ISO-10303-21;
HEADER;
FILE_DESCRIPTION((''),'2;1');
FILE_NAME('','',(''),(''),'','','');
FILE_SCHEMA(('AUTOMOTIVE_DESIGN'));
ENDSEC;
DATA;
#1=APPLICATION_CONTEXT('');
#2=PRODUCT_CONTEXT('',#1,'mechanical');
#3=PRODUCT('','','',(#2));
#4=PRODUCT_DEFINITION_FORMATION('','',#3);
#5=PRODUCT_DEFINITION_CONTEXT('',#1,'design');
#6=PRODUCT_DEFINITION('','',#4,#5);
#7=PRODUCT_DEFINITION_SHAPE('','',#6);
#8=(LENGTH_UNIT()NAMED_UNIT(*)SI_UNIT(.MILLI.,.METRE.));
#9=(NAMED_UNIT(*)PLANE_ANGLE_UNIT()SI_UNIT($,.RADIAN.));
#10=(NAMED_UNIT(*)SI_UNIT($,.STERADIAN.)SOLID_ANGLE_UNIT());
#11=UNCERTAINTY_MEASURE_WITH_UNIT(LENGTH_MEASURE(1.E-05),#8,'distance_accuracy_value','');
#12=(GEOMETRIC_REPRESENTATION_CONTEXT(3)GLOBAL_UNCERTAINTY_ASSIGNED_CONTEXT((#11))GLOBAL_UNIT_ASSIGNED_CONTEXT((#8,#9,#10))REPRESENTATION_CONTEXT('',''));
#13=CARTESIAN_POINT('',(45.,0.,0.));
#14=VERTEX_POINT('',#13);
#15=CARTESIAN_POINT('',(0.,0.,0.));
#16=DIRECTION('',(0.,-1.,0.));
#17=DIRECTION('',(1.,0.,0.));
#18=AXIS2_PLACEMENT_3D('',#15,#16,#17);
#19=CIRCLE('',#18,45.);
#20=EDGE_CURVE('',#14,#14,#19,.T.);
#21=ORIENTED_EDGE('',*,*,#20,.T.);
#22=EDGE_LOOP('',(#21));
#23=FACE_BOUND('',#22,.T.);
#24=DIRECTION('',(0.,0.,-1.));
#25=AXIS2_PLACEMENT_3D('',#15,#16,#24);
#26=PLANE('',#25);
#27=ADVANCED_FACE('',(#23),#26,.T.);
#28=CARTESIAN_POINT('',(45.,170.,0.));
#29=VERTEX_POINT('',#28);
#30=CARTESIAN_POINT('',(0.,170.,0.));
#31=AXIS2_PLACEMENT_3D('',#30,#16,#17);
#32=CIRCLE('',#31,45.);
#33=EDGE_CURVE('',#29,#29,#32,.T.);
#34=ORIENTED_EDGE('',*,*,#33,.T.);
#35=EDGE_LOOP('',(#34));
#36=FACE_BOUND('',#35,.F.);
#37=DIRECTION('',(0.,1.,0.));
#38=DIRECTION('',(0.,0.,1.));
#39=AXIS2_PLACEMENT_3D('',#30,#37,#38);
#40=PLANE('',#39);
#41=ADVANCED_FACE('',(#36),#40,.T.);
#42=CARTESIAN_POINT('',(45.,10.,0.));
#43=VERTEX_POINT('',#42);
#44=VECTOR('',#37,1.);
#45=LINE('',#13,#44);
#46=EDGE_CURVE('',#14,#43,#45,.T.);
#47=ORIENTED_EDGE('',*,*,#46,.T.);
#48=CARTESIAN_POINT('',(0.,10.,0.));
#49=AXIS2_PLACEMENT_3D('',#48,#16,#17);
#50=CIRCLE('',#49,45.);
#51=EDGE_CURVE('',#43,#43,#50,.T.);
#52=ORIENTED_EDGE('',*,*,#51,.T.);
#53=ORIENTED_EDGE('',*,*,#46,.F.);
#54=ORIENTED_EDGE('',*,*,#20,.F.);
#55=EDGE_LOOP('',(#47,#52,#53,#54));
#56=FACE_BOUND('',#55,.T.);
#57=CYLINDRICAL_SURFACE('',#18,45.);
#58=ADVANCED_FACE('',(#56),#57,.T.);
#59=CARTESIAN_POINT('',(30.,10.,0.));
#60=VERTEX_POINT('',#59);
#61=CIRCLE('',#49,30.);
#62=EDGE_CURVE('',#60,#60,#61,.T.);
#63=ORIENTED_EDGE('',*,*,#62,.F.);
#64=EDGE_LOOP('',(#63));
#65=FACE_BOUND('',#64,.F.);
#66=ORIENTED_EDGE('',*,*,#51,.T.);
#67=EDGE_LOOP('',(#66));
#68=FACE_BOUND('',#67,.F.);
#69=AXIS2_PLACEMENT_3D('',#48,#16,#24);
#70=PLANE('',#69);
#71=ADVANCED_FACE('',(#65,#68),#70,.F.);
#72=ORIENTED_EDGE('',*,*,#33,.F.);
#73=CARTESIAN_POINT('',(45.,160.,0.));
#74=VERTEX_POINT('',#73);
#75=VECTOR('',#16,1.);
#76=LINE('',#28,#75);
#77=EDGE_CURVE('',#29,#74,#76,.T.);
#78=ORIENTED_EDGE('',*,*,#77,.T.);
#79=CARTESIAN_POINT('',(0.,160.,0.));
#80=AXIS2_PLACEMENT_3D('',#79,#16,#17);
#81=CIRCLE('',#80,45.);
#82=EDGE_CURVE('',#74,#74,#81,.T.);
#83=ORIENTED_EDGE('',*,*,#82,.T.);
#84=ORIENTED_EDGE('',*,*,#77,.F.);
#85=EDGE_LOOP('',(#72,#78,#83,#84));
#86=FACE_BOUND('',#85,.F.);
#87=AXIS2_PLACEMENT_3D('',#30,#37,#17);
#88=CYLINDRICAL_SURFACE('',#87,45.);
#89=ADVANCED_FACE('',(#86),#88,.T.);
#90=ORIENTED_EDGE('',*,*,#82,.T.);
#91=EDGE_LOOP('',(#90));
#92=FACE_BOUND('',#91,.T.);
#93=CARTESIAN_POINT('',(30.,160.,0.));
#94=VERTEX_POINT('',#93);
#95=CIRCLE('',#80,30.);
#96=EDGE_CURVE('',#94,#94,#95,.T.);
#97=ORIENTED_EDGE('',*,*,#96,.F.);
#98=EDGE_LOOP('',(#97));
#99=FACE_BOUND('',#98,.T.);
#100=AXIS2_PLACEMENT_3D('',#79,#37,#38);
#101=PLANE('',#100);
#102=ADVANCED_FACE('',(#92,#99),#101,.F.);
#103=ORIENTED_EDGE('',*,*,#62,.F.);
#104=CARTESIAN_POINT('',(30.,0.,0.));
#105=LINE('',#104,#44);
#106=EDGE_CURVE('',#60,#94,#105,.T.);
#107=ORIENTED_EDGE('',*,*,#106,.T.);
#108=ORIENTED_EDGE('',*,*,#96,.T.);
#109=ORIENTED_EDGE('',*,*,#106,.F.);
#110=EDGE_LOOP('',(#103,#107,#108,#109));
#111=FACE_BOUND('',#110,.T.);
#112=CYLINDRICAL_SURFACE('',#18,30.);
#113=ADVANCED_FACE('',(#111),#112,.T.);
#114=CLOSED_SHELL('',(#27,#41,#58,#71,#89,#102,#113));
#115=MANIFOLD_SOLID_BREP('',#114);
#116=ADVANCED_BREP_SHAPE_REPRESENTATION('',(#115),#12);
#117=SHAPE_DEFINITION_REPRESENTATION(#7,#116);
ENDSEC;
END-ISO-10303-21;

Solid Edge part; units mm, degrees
sketch "Sketch1" plane through (0, 0, 0) normal (0, -1, 0) x (1, 0, 0)
  circle A0 centre (0, 0) radius 30
extrude "Protrusion1" add sketch "Sketch1" against normal blind 170
sketch "Sketch2" plane through (0, 0, 0) normal (0, -1, 0) x (1, 0, 0)
  circle A0 centre (0, 0) radius 45
  dimension "D1" = 90
extrude "ExtrudedProtrusion_2" add sketch "Sketch2" against normal blind 10
mirror "Mirror1" about plane through (0, 85, 0) normal (0, -1, 0) of "ExtrudedProtrusion_2"
